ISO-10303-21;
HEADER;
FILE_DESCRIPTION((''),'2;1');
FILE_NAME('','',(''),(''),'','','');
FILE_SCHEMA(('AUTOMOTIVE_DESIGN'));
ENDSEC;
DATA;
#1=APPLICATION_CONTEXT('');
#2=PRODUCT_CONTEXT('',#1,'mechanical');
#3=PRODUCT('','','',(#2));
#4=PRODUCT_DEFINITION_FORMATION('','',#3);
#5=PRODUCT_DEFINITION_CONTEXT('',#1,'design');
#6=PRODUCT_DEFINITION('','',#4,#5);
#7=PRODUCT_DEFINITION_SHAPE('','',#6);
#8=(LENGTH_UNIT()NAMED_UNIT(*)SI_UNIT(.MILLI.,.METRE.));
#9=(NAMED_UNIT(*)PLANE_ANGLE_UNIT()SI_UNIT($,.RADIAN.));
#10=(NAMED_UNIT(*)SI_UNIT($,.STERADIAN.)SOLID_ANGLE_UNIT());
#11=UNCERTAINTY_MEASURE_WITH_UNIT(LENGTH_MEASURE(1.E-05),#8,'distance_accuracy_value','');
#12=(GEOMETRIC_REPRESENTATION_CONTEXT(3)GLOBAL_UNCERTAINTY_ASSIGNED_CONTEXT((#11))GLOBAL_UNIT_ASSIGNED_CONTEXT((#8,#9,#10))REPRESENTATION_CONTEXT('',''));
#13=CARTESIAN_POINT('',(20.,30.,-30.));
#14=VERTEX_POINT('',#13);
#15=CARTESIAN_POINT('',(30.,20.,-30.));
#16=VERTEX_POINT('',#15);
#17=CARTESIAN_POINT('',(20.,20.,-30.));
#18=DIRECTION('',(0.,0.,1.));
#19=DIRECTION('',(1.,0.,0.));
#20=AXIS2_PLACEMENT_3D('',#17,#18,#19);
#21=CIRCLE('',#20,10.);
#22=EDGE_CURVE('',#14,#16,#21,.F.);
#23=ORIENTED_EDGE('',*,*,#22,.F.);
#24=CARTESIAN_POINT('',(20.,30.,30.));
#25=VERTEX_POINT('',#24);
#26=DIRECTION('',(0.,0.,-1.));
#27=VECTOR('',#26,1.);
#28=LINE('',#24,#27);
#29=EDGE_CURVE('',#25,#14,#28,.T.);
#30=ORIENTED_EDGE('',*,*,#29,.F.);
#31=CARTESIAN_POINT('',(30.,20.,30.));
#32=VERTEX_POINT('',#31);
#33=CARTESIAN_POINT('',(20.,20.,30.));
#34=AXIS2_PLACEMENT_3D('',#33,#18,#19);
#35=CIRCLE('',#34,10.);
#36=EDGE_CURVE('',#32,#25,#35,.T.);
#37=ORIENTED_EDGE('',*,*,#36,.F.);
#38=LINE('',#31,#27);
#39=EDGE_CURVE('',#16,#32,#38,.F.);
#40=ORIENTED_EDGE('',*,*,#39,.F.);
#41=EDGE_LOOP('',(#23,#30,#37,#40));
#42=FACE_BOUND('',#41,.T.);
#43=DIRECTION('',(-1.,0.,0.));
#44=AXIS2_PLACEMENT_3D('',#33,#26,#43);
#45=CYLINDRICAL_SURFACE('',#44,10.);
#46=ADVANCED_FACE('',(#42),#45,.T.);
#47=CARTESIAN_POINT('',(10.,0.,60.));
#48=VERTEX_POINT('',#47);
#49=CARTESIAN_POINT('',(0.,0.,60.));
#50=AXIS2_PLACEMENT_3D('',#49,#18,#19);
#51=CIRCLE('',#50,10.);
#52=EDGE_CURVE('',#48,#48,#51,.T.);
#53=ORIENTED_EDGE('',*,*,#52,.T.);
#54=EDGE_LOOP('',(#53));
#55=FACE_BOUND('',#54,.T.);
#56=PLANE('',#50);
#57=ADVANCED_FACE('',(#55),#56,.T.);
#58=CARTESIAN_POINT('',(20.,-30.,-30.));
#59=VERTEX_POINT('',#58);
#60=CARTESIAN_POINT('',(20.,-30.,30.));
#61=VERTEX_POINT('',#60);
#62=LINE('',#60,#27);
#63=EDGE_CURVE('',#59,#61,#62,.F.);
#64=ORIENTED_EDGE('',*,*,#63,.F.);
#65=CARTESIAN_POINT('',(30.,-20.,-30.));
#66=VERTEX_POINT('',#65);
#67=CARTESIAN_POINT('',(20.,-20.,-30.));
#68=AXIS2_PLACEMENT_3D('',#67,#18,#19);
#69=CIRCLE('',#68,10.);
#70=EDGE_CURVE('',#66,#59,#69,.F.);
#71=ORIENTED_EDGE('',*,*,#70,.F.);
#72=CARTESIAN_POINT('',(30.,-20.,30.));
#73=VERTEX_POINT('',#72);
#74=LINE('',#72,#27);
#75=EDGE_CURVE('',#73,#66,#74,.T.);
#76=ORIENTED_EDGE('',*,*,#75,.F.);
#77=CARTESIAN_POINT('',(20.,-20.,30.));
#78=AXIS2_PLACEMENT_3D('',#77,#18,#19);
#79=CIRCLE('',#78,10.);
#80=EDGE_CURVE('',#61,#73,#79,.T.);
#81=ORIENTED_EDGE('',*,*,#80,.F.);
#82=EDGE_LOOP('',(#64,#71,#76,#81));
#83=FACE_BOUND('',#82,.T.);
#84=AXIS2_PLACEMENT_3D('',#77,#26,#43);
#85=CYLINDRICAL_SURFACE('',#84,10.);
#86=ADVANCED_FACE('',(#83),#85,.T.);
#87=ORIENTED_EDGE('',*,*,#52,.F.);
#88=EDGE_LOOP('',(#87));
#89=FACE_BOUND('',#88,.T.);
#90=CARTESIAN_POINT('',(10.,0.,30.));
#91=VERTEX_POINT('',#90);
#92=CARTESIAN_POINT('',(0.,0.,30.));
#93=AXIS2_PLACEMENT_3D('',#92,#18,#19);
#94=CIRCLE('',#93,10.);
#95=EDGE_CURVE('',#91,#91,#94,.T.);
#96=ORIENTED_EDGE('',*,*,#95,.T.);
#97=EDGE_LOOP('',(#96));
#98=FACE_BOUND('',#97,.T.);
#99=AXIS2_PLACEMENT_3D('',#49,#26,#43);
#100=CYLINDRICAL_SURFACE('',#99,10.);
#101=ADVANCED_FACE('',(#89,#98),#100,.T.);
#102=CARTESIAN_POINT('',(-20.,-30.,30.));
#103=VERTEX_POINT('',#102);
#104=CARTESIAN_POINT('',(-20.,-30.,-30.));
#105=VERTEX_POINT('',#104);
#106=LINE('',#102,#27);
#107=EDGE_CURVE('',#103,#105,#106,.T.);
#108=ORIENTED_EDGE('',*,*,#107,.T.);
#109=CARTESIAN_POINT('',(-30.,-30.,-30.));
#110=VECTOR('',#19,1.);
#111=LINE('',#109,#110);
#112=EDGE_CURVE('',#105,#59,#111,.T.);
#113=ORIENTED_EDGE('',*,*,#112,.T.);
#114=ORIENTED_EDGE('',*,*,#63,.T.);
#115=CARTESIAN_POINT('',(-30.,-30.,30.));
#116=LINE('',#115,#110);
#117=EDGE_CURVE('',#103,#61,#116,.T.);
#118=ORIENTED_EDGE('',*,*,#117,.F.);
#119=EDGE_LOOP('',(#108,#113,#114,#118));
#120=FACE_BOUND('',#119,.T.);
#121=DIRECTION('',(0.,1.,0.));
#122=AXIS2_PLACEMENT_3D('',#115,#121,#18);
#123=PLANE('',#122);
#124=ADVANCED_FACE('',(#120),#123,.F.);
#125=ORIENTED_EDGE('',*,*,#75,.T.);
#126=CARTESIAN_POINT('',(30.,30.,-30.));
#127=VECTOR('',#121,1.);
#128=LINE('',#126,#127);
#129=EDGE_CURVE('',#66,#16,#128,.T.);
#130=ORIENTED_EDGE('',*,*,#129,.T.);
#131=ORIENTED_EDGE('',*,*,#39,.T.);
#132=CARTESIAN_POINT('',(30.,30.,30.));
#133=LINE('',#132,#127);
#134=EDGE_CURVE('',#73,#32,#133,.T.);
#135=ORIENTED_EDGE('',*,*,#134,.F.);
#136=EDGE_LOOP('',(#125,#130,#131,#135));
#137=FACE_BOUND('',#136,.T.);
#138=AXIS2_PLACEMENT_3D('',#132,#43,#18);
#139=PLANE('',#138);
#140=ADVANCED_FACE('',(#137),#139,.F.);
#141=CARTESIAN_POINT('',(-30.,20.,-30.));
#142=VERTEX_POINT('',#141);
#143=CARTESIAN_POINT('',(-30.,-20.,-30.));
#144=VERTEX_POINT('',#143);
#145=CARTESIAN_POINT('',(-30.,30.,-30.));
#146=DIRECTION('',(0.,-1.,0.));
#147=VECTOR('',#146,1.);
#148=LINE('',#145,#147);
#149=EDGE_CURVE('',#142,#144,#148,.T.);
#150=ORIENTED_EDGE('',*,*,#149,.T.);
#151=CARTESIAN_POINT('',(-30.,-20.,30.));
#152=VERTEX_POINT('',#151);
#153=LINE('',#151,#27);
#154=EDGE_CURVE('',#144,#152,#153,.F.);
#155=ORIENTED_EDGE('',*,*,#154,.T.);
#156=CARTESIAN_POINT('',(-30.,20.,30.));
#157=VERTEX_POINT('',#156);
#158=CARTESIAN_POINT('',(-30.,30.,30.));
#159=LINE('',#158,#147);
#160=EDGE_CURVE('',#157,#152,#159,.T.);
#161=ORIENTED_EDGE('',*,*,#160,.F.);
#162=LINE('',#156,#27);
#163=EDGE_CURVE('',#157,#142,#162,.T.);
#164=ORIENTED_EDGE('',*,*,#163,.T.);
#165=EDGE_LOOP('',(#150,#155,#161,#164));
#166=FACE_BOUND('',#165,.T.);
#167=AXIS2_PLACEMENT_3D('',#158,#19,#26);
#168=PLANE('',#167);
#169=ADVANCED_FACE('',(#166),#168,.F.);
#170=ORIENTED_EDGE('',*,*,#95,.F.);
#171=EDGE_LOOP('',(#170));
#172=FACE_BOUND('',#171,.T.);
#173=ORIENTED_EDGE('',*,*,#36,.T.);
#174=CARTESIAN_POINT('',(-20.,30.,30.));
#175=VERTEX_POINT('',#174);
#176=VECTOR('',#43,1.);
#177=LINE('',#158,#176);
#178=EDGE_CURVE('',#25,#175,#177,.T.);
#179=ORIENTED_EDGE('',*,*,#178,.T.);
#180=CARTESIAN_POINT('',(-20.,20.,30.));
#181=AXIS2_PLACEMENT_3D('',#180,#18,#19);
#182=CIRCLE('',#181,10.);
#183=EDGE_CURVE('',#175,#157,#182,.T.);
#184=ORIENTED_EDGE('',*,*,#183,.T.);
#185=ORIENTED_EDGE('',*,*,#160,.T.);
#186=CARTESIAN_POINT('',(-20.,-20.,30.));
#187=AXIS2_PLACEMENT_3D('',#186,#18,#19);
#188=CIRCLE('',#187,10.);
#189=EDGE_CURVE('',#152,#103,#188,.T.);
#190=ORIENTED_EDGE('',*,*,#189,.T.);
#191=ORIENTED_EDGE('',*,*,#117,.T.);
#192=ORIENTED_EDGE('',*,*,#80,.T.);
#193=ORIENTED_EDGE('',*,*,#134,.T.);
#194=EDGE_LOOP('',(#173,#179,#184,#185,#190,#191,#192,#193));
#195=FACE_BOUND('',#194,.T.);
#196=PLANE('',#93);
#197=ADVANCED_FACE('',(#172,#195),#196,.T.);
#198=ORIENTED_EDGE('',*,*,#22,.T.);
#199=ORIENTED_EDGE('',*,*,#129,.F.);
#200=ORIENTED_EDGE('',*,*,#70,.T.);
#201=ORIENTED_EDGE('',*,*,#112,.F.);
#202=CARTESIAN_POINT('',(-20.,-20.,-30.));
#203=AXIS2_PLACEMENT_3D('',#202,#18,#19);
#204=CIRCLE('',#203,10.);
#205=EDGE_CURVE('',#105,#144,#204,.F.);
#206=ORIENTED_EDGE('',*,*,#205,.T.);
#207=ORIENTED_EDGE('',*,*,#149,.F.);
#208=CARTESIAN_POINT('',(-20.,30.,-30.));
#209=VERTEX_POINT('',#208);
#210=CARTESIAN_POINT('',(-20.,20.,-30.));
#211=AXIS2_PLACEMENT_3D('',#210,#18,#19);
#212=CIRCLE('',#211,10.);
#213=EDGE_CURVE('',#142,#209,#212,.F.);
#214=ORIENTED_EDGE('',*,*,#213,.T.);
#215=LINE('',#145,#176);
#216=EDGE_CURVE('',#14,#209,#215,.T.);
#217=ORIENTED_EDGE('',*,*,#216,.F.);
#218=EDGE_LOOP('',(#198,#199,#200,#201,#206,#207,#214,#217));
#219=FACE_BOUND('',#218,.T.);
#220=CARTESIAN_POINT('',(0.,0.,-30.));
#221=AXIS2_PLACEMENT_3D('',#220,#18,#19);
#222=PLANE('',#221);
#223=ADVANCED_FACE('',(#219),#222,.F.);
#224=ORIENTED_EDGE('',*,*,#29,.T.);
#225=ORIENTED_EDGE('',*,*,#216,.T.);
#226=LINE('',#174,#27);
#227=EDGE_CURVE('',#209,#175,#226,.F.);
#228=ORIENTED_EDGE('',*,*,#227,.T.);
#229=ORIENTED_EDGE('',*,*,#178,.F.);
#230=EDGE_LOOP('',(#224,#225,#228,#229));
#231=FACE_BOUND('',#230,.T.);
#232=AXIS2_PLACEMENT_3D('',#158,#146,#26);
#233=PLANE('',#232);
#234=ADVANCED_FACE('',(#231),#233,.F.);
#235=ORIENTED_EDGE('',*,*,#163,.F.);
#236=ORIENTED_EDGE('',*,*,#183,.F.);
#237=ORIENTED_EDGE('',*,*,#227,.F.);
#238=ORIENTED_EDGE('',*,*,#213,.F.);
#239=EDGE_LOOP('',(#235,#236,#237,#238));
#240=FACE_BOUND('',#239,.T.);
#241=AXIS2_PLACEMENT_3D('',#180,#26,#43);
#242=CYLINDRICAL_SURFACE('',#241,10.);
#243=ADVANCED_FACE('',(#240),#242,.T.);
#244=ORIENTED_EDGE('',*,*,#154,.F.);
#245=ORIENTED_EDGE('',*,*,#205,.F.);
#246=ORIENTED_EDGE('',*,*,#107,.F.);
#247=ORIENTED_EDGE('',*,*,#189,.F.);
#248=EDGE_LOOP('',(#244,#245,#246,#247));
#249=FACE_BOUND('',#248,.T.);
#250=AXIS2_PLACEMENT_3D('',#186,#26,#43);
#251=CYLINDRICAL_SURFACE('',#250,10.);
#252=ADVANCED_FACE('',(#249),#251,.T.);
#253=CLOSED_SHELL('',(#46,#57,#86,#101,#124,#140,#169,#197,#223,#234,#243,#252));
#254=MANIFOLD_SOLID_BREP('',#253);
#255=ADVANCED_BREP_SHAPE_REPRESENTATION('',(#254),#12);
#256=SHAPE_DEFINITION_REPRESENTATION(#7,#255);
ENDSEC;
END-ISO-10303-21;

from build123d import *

# Parameters (mm, degrees)
SKETCH1_W           = 60
SKETCH1_H           = 60
BOSS_EXTRUDE1_DEPTH = 30
SKETCH2_R           = 10
BOSS_EXTRUDE2_DEPTH = 30
FILLET1_R           = 10


with BuildPart() as part:
    # Sketch1 → Boss-Extrude1 (new body, symmetric)
    with BuildSketch(Plane.XY):
        Rectangle(SKETCH1_W, SKETCH1_H)
    extrude(amount=BOSS_EXTRUDE1_DEPTH, both=True)

    # Sketch2 → Boss-Extrude2 (add)
    with BuildSketch(Plane.XY.offset(30)):
        Circle(SKETCH2_R)
    extrude(amount=BOSS_EXTRUDE2_DEPTH)

    # Fillet1
    fillet1_edges = [part.edges().sort_by_distance(p)[0] for p in [
        (30, -30, 0),
        (-30, -30, 0),
        (-30, 30, 0),
        (30, 30, 0),
    ]]
    fillet(fillet1_edges, radius=FILLET1_R)


solid = part.part
